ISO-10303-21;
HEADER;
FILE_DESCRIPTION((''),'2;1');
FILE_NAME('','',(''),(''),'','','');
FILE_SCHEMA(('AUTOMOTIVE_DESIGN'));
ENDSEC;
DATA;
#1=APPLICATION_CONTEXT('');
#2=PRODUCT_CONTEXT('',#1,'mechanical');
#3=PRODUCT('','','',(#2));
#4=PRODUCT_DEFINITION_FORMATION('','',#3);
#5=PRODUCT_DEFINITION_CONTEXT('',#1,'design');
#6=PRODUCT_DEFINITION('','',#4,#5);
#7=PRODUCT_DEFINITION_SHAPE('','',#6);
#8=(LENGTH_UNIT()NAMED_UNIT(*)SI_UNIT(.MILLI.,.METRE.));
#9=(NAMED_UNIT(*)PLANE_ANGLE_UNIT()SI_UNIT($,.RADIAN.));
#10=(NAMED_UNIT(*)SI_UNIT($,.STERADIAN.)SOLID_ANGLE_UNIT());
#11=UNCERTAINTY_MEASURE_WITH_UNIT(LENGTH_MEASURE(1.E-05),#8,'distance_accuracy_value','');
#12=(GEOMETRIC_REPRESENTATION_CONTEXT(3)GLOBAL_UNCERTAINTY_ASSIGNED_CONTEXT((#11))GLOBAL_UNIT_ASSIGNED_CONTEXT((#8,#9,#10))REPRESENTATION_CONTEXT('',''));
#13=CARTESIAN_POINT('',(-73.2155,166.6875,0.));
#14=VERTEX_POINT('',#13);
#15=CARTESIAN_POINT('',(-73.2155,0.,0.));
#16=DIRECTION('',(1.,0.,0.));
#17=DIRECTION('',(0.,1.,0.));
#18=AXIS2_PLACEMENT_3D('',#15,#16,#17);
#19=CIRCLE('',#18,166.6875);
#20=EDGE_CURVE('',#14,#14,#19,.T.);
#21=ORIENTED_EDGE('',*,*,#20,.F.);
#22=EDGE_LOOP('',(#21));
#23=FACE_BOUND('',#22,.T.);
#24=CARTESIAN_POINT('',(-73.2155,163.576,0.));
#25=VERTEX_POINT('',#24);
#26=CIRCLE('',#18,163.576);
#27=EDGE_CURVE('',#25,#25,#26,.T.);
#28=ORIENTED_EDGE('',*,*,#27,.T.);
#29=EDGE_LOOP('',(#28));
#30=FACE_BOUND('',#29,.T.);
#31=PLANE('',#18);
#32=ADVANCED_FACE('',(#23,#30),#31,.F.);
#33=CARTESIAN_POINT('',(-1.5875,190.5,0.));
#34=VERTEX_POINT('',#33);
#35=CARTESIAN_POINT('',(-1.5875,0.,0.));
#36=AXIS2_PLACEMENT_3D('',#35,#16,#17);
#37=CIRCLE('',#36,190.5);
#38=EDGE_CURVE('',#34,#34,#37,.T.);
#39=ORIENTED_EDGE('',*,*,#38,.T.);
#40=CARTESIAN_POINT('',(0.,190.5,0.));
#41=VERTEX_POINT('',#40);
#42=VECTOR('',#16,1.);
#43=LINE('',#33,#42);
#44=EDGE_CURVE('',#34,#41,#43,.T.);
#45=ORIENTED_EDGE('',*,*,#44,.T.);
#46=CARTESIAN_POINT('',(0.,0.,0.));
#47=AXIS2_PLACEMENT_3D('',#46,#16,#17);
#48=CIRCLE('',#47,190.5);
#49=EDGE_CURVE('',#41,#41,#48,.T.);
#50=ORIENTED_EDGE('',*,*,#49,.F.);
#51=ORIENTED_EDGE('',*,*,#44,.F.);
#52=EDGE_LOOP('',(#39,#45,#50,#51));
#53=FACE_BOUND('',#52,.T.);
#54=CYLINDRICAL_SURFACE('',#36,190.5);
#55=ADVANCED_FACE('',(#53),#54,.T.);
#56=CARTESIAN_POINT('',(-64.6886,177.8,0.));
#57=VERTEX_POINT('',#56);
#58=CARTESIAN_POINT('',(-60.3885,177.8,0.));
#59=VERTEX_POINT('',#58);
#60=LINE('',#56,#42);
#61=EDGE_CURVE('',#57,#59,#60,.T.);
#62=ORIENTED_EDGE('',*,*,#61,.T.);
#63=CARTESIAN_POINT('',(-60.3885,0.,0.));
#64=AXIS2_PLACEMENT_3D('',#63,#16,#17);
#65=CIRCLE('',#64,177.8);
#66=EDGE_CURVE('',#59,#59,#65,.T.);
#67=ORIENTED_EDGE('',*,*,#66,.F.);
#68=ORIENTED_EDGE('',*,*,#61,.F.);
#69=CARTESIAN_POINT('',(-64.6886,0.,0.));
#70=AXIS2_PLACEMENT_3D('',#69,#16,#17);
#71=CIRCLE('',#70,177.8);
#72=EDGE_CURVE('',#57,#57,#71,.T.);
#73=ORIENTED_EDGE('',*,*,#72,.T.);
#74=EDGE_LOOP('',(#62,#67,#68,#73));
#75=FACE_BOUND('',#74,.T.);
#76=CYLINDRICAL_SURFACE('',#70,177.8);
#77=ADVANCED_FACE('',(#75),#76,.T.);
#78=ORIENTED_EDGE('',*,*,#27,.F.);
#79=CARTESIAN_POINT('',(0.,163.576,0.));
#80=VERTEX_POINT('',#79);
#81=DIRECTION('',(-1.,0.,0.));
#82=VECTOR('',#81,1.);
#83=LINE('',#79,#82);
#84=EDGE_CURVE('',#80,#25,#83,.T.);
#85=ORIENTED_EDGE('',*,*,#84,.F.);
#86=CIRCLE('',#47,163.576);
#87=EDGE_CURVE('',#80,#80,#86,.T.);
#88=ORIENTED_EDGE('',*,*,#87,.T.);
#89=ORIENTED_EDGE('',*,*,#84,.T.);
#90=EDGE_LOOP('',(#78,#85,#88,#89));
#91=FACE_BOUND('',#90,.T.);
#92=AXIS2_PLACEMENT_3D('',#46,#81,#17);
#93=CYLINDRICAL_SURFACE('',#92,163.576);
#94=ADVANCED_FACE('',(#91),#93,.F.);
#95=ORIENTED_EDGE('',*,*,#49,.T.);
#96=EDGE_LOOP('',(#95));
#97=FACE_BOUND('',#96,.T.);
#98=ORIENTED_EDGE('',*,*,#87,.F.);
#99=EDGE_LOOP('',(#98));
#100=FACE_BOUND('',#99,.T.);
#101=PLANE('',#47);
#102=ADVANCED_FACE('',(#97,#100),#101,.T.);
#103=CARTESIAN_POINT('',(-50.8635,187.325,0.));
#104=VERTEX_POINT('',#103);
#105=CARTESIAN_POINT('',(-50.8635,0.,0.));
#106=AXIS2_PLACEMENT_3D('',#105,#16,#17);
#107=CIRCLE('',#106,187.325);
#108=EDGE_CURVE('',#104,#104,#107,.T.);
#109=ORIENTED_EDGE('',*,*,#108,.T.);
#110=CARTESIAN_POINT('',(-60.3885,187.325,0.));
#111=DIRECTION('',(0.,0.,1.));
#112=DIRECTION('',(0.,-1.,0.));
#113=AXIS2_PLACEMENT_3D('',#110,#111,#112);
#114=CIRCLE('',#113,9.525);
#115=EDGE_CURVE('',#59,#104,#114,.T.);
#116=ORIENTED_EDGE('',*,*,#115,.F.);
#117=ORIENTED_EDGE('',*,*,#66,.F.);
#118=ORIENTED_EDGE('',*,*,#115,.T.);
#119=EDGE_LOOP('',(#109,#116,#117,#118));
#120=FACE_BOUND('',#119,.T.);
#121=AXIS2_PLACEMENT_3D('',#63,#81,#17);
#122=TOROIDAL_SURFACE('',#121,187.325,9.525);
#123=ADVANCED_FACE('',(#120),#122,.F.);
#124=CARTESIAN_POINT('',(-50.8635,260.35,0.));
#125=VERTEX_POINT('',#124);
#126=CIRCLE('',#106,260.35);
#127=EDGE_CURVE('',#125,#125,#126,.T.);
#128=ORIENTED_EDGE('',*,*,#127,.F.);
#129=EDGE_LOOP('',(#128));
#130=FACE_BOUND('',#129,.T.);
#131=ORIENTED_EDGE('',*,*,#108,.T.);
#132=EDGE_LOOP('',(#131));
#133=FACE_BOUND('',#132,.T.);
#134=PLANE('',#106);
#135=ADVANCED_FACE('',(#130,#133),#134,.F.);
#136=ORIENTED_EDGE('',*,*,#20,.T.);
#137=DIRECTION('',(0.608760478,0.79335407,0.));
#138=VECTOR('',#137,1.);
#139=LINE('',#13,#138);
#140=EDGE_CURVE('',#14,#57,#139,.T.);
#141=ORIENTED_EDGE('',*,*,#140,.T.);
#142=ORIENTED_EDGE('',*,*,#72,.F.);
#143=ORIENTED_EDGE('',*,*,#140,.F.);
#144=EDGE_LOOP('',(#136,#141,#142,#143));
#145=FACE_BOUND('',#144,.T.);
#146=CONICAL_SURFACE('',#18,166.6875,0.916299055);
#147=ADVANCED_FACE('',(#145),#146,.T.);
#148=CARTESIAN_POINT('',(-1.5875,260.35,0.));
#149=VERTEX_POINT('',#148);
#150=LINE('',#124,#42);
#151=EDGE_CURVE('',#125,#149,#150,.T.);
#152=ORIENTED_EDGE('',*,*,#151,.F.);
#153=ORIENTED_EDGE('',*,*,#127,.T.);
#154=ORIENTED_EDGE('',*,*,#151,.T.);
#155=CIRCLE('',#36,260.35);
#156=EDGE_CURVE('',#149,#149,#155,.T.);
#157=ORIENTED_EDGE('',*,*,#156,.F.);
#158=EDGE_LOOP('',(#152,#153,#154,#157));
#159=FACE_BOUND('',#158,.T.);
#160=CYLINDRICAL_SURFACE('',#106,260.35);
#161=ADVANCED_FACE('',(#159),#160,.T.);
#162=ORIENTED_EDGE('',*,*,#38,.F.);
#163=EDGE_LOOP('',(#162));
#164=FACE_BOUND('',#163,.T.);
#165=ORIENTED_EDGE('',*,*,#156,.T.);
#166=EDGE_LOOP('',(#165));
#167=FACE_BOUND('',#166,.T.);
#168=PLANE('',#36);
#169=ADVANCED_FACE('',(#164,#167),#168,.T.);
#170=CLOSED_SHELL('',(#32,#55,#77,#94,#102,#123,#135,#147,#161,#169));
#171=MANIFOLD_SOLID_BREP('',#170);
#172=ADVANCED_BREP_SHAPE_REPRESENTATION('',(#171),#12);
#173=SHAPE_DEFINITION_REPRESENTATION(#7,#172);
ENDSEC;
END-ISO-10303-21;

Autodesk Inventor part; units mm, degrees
ref_plane "YZ Plane" through (0, 0, 0) normal (1, 0, 0) x (0, 1, 0)
ref_plane "XZ Plane" through (0, 0, 0) normal (0, 1, 0) x (-1, 0, 0)
ref_plane "XY Plane" through (0, 0, 0) normal (0, 0, 1) x (1, 0, 0)
sketch "Sketch1" plane through (0, 0, 0) normal (0, 0, 1) x (1, 0, 0)
  line L0 (0, 0) -> (0, 163.576)
  line L1 (0, 163.576) -> (-73.2155, 163.576)
  line L2 (-73.2155, 163.576) -> (-73.2155, 187.325)
  line L3 (-73.2155, 187.325) -> (-50.8635, 187.325)
  line L4 (-50.8635, 187.325) -> (-50.8635, 260.35)
  line L5 (0, 190.5) -> (0, 163.576)
  line L6 (-50.8635, 260.35) -> (-1.5875, 260.35)
  line L7 (-1.5875, 260.35) -> (-1.5875, 190.5)
  line L8 (-1.5875, 190.5) -> (0, 190.5)
  line L9 (-87.8586, 0) -> (14.6431, 0) projected
  dimension "d0" = 1.5875
  dimension "d2" = 49.276
  dimension "d3" = 260.35
  dimension "d4" = 190.5
  dimension "d5" = 163.576
  dimension "d6" = 187.325
  dimension "d7" = 71.628
  dimension "d8" = 90
revolve "Revolution1" add sketch "Sketch1" angle 360 about axis through (-10, 0, 0) along (1, 0, 0)
sketch "Sketch2" plane through (0, 0, 0) normal (0, 0, 1) x (1, 0, 0)
  line L0 (-73.2155, -187.325) -> (-73.2155, -163.576) projected
  line L1 (-73.2155, -163.576) -> (0, -163.576) projected
  line L2 (0, -163.576) -> (0, -190.5) projected
  line L3 (0, -190.5) -> (-1.5875, -190.5) projected
  line L4 (-1.5875, -190.5) -> (-1.5875, -260.35) projected
  line L5 (-1.5875, -260.35) -> (-50.8635, -260.35) projected
  line L6 (-50.8635, -260.35) -> (-50.8635, -187.325) projected
  line L7 (-50.8635, -187.325) -> (-73.2155, -187.325) projected
  line L8 (-73.2155, 163.576) -> (-73.2155, 187.325) projected
  line L9 (-73.2155, 187.325) -> (-50.8635, 187.325) projected
  line L10 (-50.8635, 187.325) -> (-50.8635, 260.35) projected
  line L11 (-50.8635, 260.35) -> (-1.5875, 260.35) projected
  line L12 (-1.5875, 260.35) -> (-1.5875, 190.5) projected
  line L13 (-1.5875, 190.5) -> (0, 190.5) projected
  line L14 (0, 190.5) -> (0, 163.576) projected
  line L15 (0, 163.576) -> (-73.2155, 163.576) projected
  line L16 (0, -190.5) -> (0, 190.5) projected
  line L17 (0, 165.1) -> (-25.4, 165.1)
  line L18 (-73.2155, 165.1) -> (-73.2155, 166.6875)
  line L19 (-73.2155, 166.6875) -> (-64.6886, 177.8)
  line L20 (-64.6886, 177.8) -> (-60.3885, 177.8)
  line L21 (-50.8635, 177.8) -> (-50.8635, 187.325) construction
  line L22 (0, 165.1) -> (-25.4, 165.1) construction
  line L23 (-25.4, 165.1) -> (-25.4, 160.3375)
  line L24 (-25.4, 160.3375) -> (0, 160.3375)
  line L25 (0, 160.3375) -> (0, 165.1)
  arc A0 (-60.3885, 177.8) -> (-50.8635, 187.325) centre (-60.3885, 187.325) ccw
  line L26 (-60.3885, 177.8) -> (-50.8635, 177.8) construction
  line L27 (-25.4, 165.1) -> (-73.2155, 165.1)
  line L28 (-50.8635, -260.35) -> (-50.8635, 260.35) projected
  line L29 (-50.8635, 187.325) -> (-50.8635, 260.35)
  line L30 (-50.8635, 260.35) -> (-1.5875, 260.35)
  line L31 (-1.5875, 190.5) -> (0, 190.5)
  line L32 (-87.8586, 0) -> (14.6431, 0) projected
  point P0 (0, 0)
  dimension "d10" = 1.5875
  dimension "d11" = 37.5
  dimension "d12" = 177.8
  dimension "d13" = 25.4
  dimension "d14" = 160.3375
  dimension "d15" = 165.1
  dimension "d16" = 22.225
revolve "Revolution2" cut sketch "Sketch2" angle 360 about axis through (-10, 0, 0) along (1, 0, 0) contours A0 L20 L19 L8 L9
properties part number "A1-19027-400-06 ALTERNATE TEST FLANGE"
